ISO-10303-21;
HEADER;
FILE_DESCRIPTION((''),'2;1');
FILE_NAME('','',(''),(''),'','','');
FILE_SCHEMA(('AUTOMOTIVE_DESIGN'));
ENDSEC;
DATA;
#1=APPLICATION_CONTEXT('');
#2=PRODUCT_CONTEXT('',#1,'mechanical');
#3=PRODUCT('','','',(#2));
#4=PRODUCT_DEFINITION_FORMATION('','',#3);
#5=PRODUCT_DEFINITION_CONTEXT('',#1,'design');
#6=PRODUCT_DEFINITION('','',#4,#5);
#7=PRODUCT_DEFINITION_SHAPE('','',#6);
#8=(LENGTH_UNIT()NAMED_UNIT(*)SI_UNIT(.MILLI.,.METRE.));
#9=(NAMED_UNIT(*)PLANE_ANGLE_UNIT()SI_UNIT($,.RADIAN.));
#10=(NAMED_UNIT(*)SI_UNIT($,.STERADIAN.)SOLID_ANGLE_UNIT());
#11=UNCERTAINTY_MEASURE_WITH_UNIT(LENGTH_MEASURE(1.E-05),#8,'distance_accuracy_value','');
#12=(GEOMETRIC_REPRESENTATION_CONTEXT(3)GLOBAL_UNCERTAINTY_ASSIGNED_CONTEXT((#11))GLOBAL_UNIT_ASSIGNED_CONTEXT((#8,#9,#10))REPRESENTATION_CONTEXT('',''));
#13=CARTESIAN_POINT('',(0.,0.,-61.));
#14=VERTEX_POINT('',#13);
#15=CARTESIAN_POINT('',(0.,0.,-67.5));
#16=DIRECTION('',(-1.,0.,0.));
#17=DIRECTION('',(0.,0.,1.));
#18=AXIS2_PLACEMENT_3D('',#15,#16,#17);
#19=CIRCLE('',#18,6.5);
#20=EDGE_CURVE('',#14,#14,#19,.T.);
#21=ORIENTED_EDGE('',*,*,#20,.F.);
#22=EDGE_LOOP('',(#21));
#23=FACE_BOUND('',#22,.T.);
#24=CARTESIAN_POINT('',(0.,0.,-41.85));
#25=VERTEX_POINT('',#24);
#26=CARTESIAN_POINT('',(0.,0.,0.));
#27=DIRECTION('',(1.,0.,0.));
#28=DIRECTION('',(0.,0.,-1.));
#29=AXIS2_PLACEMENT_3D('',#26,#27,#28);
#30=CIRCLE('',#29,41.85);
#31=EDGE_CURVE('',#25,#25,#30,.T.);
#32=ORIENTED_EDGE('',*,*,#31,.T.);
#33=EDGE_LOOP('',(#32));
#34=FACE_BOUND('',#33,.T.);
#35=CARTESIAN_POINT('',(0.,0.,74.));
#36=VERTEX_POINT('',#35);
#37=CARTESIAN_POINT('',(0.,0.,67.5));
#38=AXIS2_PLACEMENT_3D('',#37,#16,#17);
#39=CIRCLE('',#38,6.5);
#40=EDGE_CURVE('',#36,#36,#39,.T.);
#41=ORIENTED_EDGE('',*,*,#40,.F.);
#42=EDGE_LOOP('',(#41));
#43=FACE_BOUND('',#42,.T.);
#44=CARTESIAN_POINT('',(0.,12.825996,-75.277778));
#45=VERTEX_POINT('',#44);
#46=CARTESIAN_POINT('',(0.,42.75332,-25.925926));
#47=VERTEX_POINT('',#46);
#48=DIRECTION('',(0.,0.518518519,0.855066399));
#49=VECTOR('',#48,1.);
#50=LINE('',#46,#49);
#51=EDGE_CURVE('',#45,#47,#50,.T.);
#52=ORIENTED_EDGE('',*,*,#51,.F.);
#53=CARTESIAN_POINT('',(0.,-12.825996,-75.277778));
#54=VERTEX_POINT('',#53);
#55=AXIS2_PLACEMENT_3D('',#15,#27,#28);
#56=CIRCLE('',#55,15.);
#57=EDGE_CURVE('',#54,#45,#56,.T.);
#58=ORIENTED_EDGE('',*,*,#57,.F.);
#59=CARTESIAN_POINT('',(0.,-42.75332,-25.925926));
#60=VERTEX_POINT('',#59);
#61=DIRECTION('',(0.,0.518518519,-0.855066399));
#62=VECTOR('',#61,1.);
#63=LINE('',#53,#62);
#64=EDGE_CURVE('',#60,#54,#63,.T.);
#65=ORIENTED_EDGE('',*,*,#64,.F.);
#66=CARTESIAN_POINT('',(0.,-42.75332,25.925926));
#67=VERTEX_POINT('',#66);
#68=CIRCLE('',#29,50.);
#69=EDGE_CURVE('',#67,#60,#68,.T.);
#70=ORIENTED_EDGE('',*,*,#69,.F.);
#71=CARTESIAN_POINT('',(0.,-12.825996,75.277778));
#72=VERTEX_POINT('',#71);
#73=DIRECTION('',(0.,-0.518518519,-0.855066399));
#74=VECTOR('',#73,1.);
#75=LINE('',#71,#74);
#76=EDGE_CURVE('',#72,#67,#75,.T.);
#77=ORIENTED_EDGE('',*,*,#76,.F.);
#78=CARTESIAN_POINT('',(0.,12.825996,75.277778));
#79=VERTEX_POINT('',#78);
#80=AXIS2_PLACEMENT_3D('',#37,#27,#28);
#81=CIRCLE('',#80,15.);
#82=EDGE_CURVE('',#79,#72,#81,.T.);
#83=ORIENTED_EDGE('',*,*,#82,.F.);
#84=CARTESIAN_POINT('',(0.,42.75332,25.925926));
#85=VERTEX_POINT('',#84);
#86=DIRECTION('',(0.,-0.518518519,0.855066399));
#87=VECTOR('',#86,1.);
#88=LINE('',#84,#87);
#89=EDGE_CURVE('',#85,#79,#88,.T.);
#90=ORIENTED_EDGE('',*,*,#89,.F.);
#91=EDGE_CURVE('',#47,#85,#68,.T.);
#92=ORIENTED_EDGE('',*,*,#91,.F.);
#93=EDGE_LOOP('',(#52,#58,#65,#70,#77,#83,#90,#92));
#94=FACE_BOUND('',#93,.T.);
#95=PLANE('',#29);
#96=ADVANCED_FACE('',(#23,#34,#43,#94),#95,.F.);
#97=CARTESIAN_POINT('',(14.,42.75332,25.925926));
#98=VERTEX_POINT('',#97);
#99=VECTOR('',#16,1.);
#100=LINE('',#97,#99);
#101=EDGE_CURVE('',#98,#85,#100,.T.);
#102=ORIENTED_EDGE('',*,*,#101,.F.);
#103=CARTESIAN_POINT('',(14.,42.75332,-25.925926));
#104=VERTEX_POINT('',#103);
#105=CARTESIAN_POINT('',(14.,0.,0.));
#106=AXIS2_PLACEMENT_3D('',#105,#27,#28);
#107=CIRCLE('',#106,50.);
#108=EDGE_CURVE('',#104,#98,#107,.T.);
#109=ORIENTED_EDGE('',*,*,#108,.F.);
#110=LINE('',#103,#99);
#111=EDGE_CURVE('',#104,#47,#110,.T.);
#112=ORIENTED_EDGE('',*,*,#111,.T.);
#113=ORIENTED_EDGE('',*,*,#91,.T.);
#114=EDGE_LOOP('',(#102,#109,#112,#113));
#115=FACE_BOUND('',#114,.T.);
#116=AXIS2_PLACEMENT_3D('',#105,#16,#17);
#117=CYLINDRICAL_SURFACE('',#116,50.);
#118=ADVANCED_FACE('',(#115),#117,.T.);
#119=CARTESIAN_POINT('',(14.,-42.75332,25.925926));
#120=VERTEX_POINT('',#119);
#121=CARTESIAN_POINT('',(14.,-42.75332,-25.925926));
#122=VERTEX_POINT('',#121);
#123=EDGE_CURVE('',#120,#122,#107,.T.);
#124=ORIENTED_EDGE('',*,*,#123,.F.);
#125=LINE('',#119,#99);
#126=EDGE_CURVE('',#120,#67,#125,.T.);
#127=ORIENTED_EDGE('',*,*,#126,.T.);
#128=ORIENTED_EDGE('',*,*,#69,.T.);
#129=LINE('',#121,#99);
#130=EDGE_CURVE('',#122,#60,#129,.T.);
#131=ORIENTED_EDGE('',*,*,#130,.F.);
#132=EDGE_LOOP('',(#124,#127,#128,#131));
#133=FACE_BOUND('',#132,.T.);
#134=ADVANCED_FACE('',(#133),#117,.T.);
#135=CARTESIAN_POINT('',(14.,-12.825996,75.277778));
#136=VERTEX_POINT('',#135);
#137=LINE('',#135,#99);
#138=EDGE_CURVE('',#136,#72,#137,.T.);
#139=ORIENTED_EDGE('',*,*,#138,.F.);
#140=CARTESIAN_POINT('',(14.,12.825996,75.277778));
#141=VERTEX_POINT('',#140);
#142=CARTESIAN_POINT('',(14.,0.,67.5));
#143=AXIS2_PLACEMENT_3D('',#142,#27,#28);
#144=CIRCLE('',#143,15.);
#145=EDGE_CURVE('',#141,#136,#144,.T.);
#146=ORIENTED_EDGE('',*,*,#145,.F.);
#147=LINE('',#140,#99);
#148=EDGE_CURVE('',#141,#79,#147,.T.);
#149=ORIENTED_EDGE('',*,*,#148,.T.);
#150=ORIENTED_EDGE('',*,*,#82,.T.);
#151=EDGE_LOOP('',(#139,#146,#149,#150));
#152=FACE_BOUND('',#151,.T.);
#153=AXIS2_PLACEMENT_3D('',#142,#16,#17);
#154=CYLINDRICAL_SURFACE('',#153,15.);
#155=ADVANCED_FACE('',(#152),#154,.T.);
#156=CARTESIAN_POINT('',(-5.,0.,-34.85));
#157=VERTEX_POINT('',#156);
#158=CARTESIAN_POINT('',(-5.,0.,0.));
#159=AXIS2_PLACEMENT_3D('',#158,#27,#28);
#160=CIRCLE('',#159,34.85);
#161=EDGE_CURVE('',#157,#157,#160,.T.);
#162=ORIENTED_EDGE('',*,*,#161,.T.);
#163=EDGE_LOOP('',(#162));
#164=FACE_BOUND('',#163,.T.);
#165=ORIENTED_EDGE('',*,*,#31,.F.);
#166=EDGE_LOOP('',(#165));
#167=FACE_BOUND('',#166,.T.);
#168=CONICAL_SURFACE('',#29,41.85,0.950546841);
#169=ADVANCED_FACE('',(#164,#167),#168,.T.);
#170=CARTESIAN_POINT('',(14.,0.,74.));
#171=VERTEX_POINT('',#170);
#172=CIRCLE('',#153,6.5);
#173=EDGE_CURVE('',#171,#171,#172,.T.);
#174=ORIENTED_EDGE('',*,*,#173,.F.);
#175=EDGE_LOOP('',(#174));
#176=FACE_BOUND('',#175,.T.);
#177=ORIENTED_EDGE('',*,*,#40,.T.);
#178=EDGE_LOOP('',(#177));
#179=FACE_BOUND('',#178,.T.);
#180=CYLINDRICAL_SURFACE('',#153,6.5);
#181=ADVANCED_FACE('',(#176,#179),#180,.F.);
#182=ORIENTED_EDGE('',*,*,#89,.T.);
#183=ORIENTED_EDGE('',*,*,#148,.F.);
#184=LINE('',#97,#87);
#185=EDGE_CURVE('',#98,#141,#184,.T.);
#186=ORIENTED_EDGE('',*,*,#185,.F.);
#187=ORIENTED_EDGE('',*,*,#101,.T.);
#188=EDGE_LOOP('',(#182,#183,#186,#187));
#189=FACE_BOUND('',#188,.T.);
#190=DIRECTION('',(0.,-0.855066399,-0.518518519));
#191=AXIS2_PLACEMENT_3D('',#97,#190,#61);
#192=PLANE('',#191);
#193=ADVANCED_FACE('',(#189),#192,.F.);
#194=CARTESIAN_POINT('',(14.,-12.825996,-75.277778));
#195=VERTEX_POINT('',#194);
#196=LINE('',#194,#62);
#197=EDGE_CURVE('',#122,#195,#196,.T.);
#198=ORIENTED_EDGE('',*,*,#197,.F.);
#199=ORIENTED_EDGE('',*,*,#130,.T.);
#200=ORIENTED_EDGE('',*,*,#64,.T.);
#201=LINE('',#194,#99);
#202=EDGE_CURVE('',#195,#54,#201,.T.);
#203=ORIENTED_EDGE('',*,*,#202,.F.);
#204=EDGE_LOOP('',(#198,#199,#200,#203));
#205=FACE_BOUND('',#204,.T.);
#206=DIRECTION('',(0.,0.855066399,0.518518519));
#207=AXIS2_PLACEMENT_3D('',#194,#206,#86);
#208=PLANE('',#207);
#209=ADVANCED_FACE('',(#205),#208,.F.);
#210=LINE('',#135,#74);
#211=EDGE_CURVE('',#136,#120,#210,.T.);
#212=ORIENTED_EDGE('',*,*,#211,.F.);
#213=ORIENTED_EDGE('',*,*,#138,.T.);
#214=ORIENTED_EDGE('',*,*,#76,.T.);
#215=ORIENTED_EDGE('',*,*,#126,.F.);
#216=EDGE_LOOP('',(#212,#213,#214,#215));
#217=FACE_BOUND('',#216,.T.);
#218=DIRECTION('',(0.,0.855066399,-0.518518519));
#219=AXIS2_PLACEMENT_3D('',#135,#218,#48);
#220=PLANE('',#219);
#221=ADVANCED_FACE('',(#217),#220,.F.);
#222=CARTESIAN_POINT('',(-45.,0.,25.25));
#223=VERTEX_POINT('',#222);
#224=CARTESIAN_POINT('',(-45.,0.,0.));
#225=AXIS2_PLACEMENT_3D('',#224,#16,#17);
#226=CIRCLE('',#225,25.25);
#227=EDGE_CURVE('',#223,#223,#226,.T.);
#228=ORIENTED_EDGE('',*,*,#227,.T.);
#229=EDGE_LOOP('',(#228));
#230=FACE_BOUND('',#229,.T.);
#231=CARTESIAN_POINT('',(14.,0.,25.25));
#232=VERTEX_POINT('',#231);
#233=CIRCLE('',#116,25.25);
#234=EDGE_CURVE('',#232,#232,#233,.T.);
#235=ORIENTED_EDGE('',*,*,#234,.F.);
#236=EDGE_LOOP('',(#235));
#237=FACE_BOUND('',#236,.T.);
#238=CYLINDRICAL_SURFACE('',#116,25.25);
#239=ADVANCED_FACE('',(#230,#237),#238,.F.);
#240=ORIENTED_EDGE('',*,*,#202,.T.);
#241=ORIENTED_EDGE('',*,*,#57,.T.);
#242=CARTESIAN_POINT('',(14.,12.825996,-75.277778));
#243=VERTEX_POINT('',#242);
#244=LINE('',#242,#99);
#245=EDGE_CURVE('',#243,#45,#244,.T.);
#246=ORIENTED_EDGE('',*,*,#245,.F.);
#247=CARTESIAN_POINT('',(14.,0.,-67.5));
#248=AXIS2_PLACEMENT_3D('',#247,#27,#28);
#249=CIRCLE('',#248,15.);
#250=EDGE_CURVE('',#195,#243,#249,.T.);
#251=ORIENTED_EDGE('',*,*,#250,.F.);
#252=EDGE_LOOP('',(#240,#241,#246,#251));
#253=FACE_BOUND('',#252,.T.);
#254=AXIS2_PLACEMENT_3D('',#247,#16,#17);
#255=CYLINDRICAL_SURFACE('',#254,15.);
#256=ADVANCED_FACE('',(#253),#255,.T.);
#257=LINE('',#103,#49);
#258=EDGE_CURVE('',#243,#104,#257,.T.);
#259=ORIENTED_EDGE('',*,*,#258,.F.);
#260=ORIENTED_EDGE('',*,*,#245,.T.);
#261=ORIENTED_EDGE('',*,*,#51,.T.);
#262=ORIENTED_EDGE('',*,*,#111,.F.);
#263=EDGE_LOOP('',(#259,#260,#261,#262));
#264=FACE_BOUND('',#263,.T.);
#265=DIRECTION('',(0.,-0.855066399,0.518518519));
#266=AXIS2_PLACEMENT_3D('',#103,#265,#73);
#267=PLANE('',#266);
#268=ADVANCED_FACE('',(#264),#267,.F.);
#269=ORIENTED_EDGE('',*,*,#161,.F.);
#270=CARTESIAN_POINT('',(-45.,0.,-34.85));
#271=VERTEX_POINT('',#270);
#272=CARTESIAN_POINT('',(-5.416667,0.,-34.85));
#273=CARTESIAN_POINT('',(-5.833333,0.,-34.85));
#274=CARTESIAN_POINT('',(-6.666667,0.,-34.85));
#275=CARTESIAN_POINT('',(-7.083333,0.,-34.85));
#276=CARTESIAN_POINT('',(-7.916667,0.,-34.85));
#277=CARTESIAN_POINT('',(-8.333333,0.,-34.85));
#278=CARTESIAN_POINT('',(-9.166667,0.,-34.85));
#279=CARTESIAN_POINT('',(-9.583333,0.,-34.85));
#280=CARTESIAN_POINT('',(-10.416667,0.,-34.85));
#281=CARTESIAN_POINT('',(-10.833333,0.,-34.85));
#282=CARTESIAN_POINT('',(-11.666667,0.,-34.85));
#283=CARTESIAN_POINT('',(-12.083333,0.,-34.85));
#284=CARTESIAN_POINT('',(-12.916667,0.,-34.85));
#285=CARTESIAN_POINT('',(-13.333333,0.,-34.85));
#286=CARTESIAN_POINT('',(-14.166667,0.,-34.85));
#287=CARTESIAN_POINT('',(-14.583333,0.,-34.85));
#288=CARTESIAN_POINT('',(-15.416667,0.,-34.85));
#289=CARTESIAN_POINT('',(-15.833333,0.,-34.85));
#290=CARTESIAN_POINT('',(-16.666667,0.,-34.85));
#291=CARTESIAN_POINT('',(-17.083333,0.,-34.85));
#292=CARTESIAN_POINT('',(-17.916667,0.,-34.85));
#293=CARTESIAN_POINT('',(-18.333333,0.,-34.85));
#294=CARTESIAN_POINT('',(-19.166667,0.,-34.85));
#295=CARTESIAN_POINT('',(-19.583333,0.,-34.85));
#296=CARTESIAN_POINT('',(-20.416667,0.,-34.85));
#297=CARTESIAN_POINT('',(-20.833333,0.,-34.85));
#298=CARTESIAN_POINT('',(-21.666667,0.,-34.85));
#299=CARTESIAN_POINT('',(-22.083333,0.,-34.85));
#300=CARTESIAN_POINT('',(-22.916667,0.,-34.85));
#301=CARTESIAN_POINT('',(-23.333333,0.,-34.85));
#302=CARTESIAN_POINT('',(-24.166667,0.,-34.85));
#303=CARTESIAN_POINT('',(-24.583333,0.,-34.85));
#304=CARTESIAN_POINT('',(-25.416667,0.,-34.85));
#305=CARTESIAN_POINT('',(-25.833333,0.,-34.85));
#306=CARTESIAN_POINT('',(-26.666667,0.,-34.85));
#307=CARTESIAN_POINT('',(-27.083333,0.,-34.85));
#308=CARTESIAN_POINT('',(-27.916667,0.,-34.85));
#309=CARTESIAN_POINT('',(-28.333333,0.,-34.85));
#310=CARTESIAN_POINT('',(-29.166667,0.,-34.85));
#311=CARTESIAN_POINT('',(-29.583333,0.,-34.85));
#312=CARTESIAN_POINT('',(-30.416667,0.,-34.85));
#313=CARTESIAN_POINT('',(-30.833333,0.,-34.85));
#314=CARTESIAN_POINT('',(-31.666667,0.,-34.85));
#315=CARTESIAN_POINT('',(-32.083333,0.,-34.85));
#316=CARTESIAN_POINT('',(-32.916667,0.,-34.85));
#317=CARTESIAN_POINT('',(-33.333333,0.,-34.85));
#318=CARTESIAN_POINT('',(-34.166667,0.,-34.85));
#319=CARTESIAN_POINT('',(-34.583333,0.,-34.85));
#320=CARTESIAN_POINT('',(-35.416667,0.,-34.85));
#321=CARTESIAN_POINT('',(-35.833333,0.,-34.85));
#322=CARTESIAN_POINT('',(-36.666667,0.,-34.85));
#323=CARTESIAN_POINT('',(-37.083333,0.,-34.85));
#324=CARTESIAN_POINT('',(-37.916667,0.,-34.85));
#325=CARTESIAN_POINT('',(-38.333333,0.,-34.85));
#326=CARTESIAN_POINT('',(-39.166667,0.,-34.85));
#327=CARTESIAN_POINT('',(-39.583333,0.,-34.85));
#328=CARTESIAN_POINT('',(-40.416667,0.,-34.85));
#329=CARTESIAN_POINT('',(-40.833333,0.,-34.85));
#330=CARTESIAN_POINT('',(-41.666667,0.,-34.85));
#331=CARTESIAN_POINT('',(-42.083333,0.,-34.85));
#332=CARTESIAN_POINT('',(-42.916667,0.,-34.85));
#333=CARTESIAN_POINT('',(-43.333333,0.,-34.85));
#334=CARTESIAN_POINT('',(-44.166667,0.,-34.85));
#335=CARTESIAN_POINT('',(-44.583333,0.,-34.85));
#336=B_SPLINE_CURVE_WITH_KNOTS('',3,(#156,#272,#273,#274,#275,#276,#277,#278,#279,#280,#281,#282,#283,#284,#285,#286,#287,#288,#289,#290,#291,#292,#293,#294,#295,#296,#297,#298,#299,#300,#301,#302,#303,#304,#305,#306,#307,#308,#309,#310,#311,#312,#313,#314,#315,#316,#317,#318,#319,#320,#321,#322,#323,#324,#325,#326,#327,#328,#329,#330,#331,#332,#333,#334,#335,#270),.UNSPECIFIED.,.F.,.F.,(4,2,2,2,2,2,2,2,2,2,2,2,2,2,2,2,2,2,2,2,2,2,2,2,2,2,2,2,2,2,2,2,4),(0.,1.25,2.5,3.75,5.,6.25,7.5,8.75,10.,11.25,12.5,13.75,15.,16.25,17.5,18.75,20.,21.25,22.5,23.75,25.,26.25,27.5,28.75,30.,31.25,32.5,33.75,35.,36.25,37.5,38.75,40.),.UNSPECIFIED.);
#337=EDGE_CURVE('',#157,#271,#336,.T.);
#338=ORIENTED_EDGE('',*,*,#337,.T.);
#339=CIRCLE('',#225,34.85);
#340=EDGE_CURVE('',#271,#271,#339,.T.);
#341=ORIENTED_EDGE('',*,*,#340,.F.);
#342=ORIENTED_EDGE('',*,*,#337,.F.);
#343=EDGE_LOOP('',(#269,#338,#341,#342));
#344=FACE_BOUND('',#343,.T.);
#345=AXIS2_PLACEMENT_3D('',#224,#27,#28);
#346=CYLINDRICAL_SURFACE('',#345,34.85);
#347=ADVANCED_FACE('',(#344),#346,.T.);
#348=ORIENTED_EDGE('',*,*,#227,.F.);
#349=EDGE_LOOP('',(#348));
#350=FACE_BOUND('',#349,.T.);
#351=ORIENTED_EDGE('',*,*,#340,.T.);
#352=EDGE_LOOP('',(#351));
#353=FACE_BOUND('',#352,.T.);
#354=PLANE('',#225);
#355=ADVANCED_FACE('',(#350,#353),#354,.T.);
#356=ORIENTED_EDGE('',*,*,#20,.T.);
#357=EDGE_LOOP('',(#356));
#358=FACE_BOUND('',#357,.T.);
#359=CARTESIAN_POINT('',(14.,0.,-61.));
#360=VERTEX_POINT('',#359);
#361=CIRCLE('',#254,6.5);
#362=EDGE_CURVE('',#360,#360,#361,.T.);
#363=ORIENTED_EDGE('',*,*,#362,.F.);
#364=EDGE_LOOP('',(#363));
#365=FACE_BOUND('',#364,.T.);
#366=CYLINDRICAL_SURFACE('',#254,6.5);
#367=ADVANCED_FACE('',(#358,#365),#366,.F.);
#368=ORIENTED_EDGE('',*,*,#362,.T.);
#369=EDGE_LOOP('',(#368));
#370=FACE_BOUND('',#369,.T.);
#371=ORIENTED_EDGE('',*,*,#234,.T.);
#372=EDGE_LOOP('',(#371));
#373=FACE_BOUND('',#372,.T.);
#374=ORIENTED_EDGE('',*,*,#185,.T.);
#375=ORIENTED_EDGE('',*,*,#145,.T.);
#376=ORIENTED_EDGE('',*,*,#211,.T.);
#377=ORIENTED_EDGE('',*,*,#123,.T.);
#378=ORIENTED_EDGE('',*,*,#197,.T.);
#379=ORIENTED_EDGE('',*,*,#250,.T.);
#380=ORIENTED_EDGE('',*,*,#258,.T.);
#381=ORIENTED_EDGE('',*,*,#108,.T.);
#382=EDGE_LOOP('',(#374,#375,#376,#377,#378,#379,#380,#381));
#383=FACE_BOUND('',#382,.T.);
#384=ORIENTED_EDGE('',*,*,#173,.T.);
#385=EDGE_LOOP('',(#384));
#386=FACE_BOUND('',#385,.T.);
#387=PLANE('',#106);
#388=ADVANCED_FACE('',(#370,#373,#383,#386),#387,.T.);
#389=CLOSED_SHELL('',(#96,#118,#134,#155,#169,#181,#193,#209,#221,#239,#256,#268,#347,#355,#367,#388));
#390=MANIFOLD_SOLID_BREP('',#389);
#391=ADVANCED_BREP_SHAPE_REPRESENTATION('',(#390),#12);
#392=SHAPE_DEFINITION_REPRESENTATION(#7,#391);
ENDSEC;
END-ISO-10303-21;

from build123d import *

# Parameters (mm, degrees)
BOSS_EXTRUDE1_DEPTH = 14
SKETCH2_R           = 6.5
CUT_EXTRUDE1_DEPTH  = 98.479485021
SKETCH3_R           = 25.25
CUT_EXTRUDE2_DEPTH  = 98.479485021
BOSS_EXTRUDE2_START = 45
SKETCH4_R           = 34.85
SKETCH4_R_2         = 25.25
BOSS_EXTRUDE2_DEPTH = 45


with BuildPart() as part:
    # Sketch1 → Boss-Extrude1 (new body)
    with BuildSketch(Plane(origin=(0, 0, 0), x_dir=(0, 0, -1), z_dir=(1, 0, 0))):
        with BuildLine():
            Line((-25.925925926, 42.753319928), (-75.277777778, 12.825995978))
            ThreePointArc((-75.277777778, 12.825995978), (-82.5, 0), (-75.277777778, -12.825995978))
            Line((-75.277777778, -12.825995978), (-25.925925926, -42.753319928))
            ThreePointArc((-25.925925926, -42.753319928), (0, -50), (25.925925926, -42.753319928))
            Line((25.925925926, -42.753319928), (75.277777778, -12.825995978))
            ThreePointArc((75.277777778, -12.825995978), (82.5, 0), (75.277777778, 12.825995978))
            Line((75.277777778, 12.825995978), (25.925925926, 42.753319928))
            ThreePointArc((25.925925926, 42.753319928), (0, 50), (-25.925925926, 42.753319928))
        make_face()
    extrude(amount=BOSS_EXTRUDE1_DEPTH)

    # Sketch2 → Cut-Extrude1 (cut, through all)
    with BuildSketch(Plane.ZY):
        with Locations((67.5, 0)):
            Circle(SKETCH2_R)
        with Locations((-67.5, 0)):
            Circle(SKETCH2_R)
    extrude(amount=-CUT_EXTRUDE1_DEPTH, mode=Mode.SUBTRACT)

    # Sketch3 → Cut-Extrude2 (cut, through all)
    with BuildSketch(Plane.ZY):
        Circle(SKETCH3_R)
    extrude(amount=-CUT_EXTRUDE2_DEPTH, mode=Mode.SUBTRACT)

    # Sketch4 → Boss-Extrude2 (add)
    with BuildSketch(Plane.ZY.offset(BOSS_EXTRUDE2_START)):
        with Locations(Location((0, 0, 0), (0, 0, 180))):
            Circle(SKETCH4_R)
        Circle(SKETCH4_R_2, mode=Mode.SUBTRACT)
    extrude(amount=-BOSS_EXTRUDE2_DEPTH)

    # Sketch5 → Revolve1 (revolve)
    with BuildSketch(Plane(origin=(0, 0, 0), x_dir=(1, 0, 0), z_dir=(0, 1, 0))):
        Polygon((0, 34.85), (-5, 34.85), (0, 41.85), align=None)
    revolve(axis=Axis((0, 0, 0), (-1, 0, 0)))


solid = part.part
